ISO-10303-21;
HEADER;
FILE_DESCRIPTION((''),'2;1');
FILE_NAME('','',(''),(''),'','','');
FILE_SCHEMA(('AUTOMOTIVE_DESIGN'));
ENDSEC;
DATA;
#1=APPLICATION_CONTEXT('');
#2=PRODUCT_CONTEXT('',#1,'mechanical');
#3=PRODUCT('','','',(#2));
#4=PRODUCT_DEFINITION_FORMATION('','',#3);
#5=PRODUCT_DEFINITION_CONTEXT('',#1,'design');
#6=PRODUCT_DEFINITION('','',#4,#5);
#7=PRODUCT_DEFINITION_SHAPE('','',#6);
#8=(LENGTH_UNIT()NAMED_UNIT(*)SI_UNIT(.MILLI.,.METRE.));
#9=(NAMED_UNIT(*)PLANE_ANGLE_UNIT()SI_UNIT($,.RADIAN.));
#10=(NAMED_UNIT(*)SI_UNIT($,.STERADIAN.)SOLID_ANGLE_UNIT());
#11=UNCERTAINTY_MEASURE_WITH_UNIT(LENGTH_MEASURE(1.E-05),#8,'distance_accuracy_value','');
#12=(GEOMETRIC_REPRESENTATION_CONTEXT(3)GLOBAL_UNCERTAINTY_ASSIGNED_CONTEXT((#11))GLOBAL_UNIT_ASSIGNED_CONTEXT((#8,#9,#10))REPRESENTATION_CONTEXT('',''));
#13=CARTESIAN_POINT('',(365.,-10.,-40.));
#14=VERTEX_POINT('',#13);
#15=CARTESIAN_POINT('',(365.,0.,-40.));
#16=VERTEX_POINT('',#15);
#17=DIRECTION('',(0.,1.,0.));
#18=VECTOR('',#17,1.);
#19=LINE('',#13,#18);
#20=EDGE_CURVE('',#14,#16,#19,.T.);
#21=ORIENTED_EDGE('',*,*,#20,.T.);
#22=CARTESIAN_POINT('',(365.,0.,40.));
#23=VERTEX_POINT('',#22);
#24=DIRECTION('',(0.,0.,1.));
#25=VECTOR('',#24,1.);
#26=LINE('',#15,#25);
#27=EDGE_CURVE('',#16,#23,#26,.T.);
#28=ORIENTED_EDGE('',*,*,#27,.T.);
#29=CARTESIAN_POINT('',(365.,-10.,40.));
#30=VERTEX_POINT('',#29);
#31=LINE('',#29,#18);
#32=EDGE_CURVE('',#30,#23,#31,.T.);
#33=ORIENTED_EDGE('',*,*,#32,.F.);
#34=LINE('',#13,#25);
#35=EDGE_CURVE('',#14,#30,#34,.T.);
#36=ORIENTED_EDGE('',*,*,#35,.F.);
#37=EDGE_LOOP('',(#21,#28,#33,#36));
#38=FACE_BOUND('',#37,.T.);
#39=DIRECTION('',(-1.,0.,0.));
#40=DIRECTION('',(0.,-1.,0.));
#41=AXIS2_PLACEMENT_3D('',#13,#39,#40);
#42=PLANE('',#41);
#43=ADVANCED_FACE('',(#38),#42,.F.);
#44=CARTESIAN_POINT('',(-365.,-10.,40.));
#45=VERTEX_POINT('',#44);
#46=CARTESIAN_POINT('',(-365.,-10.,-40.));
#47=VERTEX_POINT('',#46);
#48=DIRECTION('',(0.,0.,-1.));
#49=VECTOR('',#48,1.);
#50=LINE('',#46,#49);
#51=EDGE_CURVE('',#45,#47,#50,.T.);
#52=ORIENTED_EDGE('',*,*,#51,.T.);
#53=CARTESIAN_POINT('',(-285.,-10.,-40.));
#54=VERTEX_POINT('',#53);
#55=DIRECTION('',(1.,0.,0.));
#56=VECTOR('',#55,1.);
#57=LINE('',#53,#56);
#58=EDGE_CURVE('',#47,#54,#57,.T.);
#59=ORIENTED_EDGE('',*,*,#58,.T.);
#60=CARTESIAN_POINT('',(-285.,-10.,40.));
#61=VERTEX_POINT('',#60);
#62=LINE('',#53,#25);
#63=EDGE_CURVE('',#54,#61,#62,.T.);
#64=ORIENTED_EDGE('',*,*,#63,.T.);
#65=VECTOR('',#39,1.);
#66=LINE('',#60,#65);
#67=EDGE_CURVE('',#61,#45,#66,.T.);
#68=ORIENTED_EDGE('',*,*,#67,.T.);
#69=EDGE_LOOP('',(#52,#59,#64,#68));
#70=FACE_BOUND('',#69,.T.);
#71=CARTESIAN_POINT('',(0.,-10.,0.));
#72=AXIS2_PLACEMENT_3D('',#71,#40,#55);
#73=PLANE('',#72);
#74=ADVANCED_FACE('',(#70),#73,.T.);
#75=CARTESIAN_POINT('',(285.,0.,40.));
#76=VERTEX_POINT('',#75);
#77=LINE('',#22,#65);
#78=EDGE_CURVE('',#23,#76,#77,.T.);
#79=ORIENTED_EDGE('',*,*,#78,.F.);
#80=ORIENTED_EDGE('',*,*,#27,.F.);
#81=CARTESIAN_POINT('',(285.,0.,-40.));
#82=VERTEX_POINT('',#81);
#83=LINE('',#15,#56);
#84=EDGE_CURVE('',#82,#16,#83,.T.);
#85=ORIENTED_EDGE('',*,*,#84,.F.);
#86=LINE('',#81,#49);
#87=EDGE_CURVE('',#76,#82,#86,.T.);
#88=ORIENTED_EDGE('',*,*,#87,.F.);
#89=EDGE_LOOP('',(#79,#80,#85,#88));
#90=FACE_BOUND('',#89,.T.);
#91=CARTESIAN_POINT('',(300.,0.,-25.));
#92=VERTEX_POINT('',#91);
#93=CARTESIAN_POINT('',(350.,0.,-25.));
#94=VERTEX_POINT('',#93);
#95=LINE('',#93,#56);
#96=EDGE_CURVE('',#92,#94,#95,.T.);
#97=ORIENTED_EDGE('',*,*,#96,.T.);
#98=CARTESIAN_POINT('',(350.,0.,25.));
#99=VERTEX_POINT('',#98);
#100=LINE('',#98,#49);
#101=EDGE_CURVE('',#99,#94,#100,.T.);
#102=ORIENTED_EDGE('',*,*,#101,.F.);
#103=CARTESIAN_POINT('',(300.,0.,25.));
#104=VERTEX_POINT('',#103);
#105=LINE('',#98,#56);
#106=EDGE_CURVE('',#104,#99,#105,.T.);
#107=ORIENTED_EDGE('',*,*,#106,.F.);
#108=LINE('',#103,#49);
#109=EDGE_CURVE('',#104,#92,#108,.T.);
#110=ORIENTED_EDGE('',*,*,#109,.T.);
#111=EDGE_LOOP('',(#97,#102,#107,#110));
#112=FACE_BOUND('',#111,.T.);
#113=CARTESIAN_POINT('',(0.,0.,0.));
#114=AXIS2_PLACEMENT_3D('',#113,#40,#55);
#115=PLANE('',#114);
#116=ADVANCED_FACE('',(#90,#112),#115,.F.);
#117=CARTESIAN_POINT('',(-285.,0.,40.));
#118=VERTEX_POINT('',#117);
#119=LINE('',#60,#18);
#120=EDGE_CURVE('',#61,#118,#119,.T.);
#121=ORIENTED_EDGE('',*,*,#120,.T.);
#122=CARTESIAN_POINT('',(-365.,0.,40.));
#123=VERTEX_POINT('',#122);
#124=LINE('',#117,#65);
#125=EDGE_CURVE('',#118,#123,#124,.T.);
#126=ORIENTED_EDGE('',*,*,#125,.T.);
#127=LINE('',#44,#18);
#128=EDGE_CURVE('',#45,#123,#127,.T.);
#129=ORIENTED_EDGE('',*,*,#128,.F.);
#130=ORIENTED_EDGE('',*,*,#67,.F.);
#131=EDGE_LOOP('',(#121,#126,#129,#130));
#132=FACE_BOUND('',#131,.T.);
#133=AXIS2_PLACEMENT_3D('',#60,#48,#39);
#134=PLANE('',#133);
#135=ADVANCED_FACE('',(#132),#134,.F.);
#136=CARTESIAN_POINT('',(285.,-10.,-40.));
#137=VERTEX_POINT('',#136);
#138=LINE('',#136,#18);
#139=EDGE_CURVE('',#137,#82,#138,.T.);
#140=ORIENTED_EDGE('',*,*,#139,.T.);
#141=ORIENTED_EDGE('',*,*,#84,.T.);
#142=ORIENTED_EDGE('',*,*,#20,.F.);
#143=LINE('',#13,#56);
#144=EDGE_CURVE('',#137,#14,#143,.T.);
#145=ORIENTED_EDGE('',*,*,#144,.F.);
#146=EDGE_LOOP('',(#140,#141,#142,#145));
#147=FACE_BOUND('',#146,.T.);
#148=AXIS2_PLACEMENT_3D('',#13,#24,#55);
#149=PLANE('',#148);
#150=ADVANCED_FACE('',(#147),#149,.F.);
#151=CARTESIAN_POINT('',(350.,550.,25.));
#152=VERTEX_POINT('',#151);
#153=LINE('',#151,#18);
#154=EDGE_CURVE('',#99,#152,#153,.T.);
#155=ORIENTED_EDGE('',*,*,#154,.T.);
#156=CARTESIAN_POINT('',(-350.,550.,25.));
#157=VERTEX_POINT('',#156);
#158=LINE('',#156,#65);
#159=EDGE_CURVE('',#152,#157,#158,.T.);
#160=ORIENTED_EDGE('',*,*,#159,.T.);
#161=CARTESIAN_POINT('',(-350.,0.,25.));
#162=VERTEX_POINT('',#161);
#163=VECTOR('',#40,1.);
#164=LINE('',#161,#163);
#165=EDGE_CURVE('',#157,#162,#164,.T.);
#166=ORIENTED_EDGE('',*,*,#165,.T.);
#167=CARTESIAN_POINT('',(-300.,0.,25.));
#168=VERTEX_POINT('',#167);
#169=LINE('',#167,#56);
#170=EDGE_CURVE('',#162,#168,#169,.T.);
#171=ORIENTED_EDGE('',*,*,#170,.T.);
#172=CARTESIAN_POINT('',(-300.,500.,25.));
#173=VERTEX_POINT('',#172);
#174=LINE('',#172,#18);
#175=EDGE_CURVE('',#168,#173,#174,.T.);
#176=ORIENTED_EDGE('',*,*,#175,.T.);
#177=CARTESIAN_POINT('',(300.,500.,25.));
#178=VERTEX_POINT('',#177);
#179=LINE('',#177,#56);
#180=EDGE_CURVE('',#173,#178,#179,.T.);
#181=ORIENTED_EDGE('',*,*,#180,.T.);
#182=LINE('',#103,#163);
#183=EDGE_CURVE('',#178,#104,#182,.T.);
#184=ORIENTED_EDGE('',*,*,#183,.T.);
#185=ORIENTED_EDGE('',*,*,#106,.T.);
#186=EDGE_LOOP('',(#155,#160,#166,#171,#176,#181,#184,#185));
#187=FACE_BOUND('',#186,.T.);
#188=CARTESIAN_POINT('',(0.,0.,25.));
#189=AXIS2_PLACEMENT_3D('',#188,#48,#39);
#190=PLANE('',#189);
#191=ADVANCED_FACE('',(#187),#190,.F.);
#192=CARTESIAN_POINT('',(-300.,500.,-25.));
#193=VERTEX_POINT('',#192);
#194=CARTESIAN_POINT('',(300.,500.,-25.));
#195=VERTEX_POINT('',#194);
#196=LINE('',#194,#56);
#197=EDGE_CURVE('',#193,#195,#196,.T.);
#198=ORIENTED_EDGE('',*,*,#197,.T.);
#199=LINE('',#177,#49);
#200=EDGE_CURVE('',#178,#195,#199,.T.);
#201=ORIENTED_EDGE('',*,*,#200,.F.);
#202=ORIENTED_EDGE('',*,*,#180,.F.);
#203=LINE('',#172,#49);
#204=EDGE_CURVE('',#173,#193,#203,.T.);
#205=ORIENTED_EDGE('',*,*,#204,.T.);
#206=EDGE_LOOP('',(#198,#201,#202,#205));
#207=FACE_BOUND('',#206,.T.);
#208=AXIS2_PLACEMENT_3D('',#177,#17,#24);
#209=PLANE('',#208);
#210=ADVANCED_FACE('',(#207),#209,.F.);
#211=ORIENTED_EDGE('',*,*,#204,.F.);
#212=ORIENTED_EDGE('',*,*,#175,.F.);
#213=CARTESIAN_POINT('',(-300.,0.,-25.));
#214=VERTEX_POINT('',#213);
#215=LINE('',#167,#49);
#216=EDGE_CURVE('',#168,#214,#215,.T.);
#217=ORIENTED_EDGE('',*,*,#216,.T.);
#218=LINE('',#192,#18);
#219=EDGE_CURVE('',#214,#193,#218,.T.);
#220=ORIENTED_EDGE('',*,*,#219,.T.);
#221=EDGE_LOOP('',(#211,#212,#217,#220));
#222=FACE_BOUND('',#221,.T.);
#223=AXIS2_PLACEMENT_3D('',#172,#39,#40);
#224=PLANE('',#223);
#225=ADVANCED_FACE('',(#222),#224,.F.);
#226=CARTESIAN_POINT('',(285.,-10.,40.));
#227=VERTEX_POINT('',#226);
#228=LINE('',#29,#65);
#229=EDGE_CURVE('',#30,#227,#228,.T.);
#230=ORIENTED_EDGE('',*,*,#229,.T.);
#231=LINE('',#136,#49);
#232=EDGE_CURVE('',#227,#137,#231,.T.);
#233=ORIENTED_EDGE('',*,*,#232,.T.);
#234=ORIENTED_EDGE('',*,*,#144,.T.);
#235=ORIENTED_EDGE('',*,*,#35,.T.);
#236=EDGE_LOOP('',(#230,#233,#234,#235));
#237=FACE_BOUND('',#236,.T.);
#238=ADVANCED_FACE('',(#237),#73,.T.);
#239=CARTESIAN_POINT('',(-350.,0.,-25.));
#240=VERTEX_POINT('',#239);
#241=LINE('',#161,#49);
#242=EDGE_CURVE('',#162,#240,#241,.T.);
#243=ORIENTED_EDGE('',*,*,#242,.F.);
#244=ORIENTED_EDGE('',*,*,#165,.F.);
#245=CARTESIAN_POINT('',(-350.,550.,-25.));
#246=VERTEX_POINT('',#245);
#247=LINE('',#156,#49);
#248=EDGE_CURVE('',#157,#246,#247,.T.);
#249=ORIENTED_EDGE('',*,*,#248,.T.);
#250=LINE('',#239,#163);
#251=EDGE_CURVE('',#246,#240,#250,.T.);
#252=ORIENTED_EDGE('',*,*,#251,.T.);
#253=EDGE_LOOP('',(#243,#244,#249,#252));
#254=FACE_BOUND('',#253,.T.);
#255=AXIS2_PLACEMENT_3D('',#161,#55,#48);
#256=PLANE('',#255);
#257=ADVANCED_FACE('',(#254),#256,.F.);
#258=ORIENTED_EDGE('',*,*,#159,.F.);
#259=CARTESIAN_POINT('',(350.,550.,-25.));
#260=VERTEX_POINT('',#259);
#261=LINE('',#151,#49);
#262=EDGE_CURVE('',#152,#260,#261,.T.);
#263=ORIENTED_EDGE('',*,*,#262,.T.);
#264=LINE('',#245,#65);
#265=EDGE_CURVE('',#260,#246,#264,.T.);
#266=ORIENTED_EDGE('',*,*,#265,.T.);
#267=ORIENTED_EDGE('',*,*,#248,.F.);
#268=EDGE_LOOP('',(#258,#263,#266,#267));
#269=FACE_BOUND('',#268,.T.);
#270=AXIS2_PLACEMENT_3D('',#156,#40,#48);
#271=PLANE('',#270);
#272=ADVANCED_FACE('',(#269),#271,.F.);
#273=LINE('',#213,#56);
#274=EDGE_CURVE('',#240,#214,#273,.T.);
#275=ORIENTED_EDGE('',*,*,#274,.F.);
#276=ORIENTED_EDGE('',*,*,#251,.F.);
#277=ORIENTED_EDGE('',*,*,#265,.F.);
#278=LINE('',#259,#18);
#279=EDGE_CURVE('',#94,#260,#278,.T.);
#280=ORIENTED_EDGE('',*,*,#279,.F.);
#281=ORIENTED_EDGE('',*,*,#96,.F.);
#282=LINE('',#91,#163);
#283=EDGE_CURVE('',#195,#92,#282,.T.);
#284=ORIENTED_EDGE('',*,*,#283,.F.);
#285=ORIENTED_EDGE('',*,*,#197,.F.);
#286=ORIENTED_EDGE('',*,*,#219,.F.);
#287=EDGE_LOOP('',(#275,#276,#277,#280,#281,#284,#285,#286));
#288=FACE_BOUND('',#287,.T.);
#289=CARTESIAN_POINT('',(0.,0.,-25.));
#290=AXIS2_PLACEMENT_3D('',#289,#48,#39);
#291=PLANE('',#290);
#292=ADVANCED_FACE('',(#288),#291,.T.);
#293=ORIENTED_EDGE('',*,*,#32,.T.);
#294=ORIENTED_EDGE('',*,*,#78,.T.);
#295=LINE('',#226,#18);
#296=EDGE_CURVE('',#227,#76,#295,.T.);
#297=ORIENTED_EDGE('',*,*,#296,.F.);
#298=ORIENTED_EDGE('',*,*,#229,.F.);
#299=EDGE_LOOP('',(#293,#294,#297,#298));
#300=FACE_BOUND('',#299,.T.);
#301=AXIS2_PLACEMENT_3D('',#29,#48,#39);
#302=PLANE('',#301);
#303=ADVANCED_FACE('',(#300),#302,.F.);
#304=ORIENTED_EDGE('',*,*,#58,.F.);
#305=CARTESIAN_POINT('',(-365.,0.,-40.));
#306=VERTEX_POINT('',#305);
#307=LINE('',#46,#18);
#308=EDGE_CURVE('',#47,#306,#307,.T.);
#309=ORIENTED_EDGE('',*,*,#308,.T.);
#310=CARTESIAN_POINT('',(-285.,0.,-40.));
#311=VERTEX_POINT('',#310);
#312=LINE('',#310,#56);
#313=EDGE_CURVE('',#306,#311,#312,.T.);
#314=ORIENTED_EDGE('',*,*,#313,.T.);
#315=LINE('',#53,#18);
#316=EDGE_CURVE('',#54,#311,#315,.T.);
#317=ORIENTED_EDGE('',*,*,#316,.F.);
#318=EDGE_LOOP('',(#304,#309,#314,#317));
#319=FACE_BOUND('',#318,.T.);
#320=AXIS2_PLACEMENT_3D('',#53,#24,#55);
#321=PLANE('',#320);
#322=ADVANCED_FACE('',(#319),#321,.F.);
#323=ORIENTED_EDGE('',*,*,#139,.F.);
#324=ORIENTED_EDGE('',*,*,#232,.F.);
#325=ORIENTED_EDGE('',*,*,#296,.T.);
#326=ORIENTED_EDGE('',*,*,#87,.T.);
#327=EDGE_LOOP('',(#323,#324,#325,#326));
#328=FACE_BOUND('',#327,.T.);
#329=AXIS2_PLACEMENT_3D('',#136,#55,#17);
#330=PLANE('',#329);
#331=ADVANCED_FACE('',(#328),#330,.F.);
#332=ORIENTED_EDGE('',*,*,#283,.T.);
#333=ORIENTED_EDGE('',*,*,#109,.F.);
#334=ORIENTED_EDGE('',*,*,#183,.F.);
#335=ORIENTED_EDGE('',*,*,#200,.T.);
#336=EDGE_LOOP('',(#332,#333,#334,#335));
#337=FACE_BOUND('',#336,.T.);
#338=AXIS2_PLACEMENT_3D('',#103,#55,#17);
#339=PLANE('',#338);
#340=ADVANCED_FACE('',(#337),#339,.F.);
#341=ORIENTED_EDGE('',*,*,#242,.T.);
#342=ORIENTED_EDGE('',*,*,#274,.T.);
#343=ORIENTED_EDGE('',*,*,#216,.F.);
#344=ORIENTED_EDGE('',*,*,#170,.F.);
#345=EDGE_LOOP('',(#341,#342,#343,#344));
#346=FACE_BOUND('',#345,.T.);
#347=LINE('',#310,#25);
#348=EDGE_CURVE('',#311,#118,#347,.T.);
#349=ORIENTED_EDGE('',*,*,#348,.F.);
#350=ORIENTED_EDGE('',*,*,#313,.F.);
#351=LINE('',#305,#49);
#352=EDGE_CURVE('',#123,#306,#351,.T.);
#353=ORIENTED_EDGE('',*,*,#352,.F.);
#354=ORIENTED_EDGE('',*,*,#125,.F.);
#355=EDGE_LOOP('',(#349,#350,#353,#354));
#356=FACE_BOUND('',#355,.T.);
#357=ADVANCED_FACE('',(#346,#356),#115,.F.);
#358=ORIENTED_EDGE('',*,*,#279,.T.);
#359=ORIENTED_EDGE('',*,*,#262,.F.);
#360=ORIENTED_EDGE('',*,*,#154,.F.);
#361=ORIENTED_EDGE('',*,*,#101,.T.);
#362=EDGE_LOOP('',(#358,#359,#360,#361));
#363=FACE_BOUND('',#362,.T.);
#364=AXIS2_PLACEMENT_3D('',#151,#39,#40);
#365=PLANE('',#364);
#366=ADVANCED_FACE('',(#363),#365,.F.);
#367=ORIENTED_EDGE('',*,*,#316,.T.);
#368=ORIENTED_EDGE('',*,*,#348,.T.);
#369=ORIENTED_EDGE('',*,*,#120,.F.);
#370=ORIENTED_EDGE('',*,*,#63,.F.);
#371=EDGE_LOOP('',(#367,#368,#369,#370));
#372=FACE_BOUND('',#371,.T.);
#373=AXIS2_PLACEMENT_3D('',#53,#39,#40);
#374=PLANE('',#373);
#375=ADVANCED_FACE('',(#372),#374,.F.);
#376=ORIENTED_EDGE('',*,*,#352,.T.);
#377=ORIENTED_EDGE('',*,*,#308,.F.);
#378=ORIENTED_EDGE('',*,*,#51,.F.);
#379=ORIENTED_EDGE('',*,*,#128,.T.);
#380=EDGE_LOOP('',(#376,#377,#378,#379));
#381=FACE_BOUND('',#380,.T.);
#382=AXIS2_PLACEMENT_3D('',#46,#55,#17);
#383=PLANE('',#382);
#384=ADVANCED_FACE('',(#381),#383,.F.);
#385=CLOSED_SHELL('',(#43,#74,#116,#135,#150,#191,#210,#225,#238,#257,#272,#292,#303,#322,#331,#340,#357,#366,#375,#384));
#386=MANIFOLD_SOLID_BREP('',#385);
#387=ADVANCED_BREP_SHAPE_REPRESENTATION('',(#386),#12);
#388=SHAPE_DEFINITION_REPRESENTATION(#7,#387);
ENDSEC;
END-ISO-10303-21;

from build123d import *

# Parameters (mm, degrees)
EXTRUDE_1_DEPTH = 25
SKETCH_2_W      = 80
SKETCH_2_H      = 80
EXTRUDE_2_DEPTH = 10


with BuildPart() as part:
    # 草图1 → 凸台-拉伸1 (new body, symmetric)
    with BuildSketch(Plane.XY):
        Polygon((-350, 0), (-350, 550), (350, 550), (350, 0), (300, 0), (300, 500), (-300, 500), (-300, 0), align=None)
    extrude(amount=EXTRUDE_1_DEPTH, both=True)

    # 草图2 → 凸台-拉伸2 (add)
    with BuildSketch(Plane.XZ):
        with Locations((-325, 0)):
            Rectangle(SKETCH_2_W, SKETCH_2_H)
        with Locations((325, 0)):
            Rectangle(SKETCH_2_W, SKETCH_2_H)
    extrude(amount=EXTRUDE_2_DEPTH)


solid = part.part
